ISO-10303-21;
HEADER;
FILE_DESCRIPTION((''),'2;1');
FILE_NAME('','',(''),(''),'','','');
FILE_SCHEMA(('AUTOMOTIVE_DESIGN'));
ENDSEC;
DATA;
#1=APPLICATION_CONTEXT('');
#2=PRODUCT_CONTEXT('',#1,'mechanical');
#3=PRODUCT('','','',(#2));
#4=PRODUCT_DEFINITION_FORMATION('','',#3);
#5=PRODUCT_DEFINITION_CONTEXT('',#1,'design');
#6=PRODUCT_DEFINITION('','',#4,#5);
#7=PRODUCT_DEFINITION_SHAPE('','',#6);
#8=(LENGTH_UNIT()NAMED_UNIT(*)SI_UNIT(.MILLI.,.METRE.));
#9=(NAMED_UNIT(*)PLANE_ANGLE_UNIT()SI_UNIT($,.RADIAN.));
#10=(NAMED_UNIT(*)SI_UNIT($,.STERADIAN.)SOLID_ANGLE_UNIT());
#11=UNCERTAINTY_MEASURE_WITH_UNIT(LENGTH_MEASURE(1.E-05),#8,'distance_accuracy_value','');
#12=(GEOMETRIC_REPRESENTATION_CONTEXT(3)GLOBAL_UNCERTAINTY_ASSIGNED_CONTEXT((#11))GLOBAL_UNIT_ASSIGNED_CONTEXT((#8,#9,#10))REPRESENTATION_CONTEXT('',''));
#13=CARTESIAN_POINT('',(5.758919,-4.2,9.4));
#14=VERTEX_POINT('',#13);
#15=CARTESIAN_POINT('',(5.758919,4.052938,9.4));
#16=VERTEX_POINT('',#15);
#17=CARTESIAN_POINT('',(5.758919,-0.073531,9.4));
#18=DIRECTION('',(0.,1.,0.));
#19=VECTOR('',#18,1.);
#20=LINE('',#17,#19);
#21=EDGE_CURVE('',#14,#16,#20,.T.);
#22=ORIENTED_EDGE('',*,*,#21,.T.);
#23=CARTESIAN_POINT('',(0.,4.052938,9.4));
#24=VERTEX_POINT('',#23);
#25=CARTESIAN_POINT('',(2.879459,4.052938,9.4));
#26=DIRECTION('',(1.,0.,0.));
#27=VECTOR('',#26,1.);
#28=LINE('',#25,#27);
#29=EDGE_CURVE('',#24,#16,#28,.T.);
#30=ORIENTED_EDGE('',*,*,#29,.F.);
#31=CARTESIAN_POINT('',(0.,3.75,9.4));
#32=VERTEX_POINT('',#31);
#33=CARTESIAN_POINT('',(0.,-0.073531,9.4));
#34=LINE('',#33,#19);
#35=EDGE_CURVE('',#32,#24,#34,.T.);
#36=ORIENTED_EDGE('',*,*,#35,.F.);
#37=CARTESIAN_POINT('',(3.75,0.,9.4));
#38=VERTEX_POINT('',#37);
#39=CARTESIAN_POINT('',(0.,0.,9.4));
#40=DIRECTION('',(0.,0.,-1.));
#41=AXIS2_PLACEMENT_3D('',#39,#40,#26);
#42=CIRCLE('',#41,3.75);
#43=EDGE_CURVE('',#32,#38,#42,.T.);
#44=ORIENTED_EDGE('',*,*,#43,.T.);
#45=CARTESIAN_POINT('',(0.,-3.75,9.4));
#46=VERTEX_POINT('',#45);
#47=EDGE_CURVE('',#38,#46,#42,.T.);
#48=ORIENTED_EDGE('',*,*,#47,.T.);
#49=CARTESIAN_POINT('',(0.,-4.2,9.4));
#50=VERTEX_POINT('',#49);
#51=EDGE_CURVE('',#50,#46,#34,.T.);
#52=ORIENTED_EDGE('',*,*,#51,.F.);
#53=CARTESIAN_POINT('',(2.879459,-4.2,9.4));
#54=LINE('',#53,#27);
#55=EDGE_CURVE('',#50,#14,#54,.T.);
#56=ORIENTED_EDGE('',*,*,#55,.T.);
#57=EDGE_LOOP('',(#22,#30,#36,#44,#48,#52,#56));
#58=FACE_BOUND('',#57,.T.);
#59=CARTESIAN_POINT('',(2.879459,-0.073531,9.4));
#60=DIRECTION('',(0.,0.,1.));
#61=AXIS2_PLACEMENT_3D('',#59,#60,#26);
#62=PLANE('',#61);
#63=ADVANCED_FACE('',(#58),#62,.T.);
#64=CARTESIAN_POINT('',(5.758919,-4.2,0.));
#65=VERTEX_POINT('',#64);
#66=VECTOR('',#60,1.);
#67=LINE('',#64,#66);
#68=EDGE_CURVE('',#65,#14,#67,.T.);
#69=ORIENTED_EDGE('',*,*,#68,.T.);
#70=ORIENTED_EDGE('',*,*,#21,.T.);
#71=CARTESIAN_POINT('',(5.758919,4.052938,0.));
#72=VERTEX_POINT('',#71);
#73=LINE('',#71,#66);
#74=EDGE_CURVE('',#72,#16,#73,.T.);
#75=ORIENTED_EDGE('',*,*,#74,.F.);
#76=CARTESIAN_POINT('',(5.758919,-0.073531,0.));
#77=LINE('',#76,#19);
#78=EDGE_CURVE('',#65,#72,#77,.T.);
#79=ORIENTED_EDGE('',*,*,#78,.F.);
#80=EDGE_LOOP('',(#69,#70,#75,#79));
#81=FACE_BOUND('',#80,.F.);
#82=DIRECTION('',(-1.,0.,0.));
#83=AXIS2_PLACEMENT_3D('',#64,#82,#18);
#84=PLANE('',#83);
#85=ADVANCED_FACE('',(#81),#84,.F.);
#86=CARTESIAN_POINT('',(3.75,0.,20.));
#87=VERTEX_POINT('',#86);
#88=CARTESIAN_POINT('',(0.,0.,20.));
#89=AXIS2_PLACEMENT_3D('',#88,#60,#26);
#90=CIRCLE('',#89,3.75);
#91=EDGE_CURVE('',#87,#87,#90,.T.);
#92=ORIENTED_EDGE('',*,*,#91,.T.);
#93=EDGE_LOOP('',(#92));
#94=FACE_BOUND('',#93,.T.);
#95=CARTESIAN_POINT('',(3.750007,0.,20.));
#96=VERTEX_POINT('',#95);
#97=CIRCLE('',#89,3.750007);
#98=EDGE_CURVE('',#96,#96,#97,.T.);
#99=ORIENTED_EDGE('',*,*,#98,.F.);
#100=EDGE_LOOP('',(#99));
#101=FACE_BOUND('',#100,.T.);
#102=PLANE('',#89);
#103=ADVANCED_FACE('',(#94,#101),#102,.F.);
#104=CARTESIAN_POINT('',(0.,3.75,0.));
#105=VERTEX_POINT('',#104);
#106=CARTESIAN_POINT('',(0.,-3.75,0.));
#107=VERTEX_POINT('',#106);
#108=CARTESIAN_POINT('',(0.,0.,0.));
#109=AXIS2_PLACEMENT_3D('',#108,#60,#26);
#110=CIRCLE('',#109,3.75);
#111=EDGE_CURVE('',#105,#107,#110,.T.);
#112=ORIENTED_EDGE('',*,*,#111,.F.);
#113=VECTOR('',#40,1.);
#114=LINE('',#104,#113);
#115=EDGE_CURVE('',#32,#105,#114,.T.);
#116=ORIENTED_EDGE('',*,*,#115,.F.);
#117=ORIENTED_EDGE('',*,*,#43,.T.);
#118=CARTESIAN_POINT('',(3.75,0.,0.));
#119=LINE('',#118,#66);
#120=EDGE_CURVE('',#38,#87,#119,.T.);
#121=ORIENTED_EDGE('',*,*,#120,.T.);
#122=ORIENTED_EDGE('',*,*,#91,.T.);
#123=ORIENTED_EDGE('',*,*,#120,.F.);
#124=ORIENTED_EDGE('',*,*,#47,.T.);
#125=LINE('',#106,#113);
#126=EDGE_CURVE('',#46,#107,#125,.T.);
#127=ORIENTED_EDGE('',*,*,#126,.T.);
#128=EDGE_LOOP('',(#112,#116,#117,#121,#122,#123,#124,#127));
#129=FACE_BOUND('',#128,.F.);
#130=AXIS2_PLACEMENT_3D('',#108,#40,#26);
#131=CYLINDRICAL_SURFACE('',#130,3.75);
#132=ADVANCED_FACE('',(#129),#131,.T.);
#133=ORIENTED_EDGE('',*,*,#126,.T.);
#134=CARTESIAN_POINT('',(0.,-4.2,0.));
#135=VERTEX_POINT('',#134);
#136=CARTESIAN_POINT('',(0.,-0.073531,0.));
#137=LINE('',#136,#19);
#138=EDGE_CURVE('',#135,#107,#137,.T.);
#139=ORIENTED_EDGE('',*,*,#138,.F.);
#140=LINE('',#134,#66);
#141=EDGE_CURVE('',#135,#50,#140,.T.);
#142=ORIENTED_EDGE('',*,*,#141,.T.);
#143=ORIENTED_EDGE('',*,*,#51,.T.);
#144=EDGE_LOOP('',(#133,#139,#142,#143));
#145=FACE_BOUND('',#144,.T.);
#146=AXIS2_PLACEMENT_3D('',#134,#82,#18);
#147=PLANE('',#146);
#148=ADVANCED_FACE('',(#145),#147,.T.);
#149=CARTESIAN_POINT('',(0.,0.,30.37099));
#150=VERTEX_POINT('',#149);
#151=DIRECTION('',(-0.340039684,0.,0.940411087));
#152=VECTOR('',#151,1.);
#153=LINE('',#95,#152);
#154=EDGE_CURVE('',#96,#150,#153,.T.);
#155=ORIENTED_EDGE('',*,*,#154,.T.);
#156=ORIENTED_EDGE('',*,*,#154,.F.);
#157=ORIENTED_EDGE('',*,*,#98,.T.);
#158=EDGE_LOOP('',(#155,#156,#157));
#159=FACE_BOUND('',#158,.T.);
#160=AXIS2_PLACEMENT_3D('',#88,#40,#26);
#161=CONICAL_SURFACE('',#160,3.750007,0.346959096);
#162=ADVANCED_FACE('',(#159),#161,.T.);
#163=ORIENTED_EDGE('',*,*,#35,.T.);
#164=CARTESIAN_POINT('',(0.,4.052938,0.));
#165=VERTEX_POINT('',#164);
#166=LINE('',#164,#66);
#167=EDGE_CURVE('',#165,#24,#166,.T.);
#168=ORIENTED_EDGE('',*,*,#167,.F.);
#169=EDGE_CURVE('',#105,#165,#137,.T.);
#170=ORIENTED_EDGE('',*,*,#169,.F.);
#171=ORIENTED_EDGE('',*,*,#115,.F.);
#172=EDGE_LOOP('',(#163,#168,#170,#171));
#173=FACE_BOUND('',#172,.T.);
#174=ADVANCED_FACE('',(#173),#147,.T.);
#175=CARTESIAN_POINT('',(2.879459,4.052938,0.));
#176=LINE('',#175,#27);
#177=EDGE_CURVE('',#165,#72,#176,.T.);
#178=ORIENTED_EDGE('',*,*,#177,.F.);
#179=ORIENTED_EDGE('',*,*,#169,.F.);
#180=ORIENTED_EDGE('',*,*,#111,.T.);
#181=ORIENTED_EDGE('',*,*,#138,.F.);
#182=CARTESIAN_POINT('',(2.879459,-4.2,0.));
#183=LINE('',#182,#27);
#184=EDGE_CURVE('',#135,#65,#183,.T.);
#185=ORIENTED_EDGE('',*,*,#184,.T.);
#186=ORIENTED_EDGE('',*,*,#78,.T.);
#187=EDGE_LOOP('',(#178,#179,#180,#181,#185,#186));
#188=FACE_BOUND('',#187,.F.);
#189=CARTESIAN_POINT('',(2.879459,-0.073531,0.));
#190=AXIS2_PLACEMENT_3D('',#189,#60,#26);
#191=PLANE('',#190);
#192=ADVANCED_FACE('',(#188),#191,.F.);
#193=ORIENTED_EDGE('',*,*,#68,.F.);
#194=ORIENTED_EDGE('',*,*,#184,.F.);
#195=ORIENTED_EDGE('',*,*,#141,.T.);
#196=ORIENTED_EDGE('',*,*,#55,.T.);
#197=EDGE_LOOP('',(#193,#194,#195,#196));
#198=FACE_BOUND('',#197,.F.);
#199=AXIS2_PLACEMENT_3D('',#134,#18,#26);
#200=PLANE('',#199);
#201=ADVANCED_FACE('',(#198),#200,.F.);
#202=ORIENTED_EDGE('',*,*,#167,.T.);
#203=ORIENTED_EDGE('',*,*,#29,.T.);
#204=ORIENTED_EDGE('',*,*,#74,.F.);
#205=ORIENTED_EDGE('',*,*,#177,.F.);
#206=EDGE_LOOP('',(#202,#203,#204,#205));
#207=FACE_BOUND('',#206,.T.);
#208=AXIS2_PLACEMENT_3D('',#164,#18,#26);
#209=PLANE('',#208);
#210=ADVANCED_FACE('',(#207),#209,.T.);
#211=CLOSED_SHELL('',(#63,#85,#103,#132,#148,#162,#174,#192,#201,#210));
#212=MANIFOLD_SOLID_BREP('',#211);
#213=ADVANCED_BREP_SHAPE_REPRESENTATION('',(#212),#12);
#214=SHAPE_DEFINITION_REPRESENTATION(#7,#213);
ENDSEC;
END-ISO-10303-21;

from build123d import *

# Parameters (mm, degrees)
F0_R     = 3.75
F1_DEPTH = 20
F2_W     = 5.758919
F2_H     = 8.252938
F3_DEPTH = 9.4


with BuildPart() as f1:
    # F0 (on Top) → F1 (new body)
    with BuildSketch(Plane.XY):
        Circle(F0_R)
    extrude(amount=F1_DEPTH)

    # F2 (on Top) → F3 (join)
    with BuildSketch(Plane.XY):
        with Locations((2.879459, -0.073531)):
            Rectangle(F2_W, F2_H)
    extrude(amount=F3_DEPTH)

    # F4 (on Front) → F5 (revolve)
    with BuildSketch(Plane.XZ):
        Polygon((0, 30.37099), (0, 20), (3.750007, 20), align=None)
    revolve(axis=Axis((0, 0, 25.185495), (0, 0, 1)))


solid = f1.part
